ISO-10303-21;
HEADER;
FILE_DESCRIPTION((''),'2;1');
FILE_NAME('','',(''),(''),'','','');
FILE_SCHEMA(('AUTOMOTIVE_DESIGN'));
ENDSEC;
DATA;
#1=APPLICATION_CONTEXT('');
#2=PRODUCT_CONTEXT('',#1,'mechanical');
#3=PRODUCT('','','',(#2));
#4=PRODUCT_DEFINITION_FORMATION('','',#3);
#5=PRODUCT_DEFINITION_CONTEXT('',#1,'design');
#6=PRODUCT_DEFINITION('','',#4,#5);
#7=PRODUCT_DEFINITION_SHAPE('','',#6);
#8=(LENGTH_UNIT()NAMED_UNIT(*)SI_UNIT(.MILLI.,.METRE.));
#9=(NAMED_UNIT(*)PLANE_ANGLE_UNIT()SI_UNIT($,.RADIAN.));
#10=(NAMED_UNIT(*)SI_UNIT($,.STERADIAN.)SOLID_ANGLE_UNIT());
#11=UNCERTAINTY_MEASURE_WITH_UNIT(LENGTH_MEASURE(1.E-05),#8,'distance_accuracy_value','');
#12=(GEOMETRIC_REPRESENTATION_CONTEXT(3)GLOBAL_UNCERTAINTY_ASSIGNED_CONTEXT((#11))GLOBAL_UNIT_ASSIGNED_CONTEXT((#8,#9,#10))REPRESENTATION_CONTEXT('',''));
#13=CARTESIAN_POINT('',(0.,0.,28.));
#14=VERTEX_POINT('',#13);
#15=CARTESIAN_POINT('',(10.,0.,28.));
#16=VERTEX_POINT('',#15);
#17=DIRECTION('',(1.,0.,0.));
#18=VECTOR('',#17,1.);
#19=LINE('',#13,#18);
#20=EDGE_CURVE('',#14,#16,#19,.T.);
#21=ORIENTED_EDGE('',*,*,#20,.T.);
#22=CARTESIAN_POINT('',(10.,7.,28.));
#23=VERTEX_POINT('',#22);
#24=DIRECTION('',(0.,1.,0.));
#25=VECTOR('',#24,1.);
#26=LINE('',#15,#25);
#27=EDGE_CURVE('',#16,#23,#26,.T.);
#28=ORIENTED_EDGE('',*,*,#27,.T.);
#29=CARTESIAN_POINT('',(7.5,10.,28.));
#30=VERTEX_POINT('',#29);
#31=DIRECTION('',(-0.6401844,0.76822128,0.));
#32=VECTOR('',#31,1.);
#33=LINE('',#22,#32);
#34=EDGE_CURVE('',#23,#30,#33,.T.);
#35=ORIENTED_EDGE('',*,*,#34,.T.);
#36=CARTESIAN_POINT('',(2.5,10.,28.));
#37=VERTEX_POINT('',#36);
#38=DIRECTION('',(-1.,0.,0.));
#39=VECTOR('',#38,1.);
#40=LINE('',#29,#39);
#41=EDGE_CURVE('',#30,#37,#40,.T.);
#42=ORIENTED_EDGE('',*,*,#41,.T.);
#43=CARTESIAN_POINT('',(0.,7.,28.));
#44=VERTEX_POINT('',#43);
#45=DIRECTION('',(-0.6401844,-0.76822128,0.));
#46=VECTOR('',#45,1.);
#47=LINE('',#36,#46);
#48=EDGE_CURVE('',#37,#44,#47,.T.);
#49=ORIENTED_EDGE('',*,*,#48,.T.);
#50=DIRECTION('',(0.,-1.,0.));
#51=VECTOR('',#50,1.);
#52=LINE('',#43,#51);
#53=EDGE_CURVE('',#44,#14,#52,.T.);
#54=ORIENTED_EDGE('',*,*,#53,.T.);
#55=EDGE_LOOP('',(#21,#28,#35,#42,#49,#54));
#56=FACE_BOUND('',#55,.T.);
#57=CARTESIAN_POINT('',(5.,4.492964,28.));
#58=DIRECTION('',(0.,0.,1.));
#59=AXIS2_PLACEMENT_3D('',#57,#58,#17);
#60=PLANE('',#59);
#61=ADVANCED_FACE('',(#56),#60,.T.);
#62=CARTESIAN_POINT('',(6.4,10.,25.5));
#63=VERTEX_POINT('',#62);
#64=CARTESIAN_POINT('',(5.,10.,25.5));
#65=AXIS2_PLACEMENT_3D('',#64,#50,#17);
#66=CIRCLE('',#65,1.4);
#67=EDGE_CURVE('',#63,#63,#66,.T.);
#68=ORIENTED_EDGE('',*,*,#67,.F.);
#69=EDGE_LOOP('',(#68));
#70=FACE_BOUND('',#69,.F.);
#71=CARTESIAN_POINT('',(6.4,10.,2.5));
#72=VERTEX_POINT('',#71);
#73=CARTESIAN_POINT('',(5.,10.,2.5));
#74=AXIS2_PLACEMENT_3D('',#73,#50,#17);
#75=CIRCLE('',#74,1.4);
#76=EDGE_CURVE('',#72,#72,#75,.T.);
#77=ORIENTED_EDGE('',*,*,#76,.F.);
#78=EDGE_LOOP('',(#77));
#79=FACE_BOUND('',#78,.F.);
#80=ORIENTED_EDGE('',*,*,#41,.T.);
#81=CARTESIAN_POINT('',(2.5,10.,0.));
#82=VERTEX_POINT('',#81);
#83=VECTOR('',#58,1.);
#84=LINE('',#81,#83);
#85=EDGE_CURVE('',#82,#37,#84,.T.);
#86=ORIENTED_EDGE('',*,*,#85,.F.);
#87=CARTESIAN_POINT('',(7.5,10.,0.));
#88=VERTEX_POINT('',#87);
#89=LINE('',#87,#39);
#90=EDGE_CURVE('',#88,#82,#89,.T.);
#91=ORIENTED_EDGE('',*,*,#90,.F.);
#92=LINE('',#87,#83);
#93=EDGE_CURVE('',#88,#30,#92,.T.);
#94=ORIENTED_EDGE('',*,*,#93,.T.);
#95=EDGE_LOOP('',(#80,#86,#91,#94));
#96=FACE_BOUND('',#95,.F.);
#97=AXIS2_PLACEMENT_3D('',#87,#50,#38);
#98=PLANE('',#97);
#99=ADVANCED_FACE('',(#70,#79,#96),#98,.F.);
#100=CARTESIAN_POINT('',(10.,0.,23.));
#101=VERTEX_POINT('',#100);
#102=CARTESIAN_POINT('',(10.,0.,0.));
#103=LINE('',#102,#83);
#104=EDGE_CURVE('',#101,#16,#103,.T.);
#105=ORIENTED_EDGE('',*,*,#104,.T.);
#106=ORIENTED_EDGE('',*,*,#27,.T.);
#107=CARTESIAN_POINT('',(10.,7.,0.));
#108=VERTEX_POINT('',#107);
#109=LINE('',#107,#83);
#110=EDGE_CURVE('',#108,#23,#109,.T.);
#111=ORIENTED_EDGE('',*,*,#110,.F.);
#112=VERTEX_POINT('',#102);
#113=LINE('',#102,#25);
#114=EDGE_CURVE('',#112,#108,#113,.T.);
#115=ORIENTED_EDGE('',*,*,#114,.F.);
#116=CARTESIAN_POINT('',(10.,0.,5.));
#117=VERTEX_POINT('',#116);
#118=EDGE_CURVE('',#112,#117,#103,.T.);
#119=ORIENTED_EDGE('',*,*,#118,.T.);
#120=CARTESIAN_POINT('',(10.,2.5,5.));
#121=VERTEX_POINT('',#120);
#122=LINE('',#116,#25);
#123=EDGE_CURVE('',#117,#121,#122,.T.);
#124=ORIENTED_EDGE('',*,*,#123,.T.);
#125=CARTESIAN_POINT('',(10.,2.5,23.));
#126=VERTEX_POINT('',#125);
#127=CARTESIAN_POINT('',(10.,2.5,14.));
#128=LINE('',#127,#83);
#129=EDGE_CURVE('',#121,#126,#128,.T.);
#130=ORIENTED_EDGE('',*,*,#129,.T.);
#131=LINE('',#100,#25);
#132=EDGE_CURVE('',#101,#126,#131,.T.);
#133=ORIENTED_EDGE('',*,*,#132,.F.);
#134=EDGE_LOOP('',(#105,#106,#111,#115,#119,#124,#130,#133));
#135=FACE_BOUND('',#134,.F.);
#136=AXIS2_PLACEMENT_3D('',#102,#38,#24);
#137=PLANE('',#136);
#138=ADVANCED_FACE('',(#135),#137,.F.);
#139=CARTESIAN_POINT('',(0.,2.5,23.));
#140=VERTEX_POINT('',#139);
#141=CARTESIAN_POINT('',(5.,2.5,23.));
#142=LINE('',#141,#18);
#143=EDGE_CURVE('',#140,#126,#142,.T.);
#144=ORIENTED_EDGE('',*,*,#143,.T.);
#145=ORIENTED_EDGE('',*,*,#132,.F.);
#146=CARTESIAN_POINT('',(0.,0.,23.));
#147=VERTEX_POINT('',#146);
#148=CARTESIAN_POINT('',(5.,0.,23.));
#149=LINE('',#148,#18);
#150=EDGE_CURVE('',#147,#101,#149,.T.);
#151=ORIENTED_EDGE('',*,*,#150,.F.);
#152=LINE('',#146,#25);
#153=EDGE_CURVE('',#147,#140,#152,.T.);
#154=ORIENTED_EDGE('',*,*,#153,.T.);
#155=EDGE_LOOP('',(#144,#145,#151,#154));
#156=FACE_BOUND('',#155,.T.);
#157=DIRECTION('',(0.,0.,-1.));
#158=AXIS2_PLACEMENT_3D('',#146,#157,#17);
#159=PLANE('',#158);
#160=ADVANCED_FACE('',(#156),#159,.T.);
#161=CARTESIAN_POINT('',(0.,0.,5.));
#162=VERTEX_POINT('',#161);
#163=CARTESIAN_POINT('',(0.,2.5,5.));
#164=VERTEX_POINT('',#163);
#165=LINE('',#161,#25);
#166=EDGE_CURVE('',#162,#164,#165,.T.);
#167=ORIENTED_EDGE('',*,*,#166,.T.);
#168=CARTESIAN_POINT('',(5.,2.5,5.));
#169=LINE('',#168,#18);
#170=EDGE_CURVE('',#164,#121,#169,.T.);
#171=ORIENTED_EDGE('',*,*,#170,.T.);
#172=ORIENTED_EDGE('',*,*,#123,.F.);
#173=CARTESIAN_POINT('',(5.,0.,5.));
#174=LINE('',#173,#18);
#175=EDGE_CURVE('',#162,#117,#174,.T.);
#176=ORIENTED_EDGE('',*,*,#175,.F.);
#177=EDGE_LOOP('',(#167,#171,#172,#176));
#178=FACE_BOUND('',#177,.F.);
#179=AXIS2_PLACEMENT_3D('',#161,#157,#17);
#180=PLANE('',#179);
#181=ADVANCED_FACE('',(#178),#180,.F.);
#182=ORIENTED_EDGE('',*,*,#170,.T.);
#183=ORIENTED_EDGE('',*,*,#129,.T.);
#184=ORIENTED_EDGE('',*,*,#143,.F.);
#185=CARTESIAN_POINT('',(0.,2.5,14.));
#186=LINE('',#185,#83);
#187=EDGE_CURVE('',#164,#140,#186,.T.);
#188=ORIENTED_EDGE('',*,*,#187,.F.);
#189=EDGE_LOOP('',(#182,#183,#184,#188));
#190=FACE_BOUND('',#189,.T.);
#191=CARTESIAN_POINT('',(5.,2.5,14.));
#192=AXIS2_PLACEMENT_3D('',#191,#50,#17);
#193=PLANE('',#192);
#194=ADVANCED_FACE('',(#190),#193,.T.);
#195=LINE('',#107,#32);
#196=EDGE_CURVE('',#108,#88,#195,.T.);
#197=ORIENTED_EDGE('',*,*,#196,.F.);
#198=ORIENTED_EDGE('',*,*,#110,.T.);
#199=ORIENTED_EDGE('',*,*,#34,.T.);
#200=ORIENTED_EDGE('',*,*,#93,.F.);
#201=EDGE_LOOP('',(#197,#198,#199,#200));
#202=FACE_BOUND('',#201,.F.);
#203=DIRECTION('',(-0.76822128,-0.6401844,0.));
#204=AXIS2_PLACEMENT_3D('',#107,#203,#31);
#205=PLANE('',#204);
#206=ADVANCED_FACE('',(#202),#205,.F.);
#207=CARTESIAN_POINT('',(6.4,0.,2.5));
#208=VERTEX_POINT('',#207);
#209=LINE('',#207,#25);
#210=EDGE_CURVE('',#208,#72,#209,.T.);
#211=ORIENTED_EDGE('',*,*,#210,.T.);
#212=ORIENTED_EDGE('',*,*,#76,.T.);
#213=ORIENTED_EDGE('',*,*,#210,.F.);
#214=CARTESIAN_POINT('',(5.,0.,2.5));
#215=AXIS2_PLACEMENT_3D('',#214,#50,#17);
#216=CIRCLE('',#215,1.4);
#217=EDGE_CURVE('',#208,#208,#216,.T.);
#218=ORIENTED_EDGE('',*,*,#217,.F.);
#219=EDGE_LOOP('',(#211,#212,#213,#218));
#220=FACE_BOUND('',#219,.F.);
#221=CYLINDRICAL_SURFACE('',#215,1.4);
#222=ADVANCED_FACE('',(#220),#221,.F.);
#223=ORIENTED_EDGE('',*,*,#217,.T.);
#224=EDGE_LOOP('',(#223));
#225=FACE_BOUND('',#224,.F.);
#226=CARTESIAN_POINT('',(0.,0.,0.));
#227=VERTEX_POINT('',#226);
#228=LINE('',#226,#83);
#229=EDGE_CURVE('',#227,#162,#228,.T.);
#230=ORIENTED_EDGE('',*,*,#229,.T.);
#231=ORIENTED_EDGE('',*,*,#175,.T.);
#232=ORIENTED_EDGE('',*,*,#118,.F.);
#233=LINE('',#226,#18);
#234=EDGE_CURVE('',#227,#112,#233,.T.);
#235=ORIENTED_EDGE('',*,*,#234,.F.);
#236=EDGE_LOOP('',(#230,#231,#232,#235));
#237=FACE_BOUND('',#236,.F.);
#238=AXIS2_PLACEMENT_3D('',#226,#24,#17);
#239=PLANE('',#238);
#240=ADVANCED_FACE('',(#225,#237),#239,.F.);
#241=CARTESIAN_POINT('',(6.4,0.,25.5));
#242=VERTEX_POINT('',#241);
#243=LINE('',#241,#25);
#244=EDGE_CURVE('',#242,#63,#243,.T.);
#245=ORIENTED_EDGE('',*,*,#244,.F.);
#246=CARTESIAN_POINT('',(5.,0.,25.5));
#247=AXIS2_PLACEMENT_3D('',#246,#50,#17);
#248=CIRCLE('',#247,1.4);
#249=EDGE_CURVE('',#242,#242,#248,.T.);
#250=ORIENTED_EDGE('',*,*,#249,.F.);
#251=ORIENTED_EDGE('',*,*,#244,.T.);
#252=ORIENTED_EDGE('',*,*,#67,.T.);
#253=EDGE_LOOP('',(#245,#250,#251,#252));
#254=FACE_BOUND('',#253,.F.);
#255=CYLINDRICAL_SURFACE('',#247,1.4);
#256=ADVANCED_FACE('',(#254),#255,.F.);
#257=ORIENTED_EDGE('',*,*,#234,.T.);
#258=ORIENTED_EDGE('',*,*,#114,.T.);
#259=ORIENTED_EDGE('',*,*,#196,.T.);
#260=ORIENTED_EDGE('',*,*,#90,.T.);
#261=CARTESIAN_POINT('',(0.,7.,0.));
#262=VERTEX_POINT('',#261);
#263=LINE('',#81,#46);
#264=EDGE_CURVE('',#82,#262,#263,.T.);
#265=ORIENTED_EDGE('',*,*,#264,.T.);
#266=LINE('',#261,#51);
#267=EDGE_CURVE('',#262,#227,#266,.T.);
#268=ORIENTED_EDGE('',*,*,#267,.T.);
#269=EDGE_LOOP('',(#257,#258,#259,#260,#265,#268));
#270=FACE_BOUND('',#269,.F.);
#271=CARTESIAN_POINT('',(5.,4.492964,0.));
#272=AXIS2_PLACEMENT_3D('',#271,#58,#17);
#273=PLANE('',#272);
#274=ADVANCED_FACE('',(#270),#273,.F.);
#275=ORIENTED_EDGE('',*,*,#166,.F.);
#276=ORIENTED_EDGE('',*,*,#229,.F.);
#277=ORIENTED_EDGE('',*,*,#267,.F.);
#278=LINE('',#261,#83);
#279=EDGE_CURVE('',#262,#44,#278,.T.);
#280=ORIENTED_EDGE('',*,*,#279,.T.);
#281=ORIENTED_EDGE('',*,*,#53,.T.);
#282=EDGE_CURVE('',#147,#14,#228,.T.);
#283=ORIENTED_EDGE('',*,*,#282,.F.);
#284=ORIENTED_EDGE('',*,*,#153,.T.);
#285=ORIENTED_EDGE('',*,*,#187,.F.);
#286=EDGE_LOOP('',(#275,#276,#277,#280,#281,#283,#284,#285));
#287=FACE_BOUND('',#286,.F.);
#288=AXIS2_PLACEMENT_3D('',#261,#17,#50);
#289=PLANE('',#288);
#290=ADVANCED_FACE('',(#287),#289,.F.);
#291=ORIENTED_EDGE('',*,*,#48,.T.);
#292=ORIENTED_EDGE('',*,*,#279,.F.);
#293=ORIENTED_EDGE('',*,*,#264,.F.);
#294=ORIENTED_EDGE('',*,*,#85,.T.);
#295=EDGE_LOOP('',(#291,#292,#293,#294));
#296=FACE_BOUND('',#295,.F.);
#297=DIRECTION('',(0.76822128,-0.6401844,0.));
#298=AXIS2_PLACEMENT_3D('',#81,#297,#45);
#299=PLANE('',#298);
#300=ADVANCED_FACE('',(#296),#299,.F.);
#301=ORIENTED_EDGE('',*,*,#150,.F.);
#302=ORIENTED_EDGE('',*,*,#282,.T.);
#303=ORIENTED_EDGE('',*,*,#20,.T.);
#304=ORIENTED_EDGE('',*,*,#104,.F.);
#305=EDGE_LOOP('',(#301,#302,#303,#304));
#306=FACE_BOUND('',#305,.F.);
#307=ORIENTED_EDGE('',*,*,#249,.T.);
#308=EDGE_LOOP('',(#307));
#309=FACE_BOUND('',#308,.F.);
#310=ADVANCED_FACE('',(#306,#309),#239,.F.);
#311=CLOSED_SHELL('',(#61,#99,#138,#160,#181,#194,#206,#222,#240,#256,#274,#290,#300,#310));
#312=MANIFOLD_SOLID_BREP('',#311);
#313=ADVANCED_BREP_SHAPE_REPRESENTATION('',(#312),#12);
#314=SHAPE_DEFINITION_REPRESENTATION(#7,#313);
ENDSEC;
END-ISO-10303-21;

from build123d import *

# Parameters (mm, degrees)
F1_DEPTH = 28
F2_W     = 10
F2_H     = 18
F3_DEPTH = 2.5
F2_R     = 1.4
F4_DEPTH = 25


with BuildPart() as f1:
    # F0 (on Top) → F1 (new body)
    with BuildSketch(Plane.XY):
        Polygon((0, 7), (0, 0), (10, 0), (10, 7), (7.5, 10), (2.5, 10), align=None)
    extrude(amount=F1_DEPTH)

    # F2 (on face) → F3 (cut)
    with BuildSketch(Plane.XZ):
        with Locations((5, 14)):
            Rectangle(F2_W, F2_H)
    extrude(amount=-F3_DEPTH, mode=Mode.SUBTRACT)

    # F2 (on face) → F4 (cut)
    with BuildSketch(Plane.XZ):
        with Locations((5, 25.5)):
            Circle(F2_R)
        with Locations((5, 2.5)):
            Circle(F2_R)
    extrude(amount=-F4_DEPTH, mode=Mode.SUBTRACT)


solid = f1.part
